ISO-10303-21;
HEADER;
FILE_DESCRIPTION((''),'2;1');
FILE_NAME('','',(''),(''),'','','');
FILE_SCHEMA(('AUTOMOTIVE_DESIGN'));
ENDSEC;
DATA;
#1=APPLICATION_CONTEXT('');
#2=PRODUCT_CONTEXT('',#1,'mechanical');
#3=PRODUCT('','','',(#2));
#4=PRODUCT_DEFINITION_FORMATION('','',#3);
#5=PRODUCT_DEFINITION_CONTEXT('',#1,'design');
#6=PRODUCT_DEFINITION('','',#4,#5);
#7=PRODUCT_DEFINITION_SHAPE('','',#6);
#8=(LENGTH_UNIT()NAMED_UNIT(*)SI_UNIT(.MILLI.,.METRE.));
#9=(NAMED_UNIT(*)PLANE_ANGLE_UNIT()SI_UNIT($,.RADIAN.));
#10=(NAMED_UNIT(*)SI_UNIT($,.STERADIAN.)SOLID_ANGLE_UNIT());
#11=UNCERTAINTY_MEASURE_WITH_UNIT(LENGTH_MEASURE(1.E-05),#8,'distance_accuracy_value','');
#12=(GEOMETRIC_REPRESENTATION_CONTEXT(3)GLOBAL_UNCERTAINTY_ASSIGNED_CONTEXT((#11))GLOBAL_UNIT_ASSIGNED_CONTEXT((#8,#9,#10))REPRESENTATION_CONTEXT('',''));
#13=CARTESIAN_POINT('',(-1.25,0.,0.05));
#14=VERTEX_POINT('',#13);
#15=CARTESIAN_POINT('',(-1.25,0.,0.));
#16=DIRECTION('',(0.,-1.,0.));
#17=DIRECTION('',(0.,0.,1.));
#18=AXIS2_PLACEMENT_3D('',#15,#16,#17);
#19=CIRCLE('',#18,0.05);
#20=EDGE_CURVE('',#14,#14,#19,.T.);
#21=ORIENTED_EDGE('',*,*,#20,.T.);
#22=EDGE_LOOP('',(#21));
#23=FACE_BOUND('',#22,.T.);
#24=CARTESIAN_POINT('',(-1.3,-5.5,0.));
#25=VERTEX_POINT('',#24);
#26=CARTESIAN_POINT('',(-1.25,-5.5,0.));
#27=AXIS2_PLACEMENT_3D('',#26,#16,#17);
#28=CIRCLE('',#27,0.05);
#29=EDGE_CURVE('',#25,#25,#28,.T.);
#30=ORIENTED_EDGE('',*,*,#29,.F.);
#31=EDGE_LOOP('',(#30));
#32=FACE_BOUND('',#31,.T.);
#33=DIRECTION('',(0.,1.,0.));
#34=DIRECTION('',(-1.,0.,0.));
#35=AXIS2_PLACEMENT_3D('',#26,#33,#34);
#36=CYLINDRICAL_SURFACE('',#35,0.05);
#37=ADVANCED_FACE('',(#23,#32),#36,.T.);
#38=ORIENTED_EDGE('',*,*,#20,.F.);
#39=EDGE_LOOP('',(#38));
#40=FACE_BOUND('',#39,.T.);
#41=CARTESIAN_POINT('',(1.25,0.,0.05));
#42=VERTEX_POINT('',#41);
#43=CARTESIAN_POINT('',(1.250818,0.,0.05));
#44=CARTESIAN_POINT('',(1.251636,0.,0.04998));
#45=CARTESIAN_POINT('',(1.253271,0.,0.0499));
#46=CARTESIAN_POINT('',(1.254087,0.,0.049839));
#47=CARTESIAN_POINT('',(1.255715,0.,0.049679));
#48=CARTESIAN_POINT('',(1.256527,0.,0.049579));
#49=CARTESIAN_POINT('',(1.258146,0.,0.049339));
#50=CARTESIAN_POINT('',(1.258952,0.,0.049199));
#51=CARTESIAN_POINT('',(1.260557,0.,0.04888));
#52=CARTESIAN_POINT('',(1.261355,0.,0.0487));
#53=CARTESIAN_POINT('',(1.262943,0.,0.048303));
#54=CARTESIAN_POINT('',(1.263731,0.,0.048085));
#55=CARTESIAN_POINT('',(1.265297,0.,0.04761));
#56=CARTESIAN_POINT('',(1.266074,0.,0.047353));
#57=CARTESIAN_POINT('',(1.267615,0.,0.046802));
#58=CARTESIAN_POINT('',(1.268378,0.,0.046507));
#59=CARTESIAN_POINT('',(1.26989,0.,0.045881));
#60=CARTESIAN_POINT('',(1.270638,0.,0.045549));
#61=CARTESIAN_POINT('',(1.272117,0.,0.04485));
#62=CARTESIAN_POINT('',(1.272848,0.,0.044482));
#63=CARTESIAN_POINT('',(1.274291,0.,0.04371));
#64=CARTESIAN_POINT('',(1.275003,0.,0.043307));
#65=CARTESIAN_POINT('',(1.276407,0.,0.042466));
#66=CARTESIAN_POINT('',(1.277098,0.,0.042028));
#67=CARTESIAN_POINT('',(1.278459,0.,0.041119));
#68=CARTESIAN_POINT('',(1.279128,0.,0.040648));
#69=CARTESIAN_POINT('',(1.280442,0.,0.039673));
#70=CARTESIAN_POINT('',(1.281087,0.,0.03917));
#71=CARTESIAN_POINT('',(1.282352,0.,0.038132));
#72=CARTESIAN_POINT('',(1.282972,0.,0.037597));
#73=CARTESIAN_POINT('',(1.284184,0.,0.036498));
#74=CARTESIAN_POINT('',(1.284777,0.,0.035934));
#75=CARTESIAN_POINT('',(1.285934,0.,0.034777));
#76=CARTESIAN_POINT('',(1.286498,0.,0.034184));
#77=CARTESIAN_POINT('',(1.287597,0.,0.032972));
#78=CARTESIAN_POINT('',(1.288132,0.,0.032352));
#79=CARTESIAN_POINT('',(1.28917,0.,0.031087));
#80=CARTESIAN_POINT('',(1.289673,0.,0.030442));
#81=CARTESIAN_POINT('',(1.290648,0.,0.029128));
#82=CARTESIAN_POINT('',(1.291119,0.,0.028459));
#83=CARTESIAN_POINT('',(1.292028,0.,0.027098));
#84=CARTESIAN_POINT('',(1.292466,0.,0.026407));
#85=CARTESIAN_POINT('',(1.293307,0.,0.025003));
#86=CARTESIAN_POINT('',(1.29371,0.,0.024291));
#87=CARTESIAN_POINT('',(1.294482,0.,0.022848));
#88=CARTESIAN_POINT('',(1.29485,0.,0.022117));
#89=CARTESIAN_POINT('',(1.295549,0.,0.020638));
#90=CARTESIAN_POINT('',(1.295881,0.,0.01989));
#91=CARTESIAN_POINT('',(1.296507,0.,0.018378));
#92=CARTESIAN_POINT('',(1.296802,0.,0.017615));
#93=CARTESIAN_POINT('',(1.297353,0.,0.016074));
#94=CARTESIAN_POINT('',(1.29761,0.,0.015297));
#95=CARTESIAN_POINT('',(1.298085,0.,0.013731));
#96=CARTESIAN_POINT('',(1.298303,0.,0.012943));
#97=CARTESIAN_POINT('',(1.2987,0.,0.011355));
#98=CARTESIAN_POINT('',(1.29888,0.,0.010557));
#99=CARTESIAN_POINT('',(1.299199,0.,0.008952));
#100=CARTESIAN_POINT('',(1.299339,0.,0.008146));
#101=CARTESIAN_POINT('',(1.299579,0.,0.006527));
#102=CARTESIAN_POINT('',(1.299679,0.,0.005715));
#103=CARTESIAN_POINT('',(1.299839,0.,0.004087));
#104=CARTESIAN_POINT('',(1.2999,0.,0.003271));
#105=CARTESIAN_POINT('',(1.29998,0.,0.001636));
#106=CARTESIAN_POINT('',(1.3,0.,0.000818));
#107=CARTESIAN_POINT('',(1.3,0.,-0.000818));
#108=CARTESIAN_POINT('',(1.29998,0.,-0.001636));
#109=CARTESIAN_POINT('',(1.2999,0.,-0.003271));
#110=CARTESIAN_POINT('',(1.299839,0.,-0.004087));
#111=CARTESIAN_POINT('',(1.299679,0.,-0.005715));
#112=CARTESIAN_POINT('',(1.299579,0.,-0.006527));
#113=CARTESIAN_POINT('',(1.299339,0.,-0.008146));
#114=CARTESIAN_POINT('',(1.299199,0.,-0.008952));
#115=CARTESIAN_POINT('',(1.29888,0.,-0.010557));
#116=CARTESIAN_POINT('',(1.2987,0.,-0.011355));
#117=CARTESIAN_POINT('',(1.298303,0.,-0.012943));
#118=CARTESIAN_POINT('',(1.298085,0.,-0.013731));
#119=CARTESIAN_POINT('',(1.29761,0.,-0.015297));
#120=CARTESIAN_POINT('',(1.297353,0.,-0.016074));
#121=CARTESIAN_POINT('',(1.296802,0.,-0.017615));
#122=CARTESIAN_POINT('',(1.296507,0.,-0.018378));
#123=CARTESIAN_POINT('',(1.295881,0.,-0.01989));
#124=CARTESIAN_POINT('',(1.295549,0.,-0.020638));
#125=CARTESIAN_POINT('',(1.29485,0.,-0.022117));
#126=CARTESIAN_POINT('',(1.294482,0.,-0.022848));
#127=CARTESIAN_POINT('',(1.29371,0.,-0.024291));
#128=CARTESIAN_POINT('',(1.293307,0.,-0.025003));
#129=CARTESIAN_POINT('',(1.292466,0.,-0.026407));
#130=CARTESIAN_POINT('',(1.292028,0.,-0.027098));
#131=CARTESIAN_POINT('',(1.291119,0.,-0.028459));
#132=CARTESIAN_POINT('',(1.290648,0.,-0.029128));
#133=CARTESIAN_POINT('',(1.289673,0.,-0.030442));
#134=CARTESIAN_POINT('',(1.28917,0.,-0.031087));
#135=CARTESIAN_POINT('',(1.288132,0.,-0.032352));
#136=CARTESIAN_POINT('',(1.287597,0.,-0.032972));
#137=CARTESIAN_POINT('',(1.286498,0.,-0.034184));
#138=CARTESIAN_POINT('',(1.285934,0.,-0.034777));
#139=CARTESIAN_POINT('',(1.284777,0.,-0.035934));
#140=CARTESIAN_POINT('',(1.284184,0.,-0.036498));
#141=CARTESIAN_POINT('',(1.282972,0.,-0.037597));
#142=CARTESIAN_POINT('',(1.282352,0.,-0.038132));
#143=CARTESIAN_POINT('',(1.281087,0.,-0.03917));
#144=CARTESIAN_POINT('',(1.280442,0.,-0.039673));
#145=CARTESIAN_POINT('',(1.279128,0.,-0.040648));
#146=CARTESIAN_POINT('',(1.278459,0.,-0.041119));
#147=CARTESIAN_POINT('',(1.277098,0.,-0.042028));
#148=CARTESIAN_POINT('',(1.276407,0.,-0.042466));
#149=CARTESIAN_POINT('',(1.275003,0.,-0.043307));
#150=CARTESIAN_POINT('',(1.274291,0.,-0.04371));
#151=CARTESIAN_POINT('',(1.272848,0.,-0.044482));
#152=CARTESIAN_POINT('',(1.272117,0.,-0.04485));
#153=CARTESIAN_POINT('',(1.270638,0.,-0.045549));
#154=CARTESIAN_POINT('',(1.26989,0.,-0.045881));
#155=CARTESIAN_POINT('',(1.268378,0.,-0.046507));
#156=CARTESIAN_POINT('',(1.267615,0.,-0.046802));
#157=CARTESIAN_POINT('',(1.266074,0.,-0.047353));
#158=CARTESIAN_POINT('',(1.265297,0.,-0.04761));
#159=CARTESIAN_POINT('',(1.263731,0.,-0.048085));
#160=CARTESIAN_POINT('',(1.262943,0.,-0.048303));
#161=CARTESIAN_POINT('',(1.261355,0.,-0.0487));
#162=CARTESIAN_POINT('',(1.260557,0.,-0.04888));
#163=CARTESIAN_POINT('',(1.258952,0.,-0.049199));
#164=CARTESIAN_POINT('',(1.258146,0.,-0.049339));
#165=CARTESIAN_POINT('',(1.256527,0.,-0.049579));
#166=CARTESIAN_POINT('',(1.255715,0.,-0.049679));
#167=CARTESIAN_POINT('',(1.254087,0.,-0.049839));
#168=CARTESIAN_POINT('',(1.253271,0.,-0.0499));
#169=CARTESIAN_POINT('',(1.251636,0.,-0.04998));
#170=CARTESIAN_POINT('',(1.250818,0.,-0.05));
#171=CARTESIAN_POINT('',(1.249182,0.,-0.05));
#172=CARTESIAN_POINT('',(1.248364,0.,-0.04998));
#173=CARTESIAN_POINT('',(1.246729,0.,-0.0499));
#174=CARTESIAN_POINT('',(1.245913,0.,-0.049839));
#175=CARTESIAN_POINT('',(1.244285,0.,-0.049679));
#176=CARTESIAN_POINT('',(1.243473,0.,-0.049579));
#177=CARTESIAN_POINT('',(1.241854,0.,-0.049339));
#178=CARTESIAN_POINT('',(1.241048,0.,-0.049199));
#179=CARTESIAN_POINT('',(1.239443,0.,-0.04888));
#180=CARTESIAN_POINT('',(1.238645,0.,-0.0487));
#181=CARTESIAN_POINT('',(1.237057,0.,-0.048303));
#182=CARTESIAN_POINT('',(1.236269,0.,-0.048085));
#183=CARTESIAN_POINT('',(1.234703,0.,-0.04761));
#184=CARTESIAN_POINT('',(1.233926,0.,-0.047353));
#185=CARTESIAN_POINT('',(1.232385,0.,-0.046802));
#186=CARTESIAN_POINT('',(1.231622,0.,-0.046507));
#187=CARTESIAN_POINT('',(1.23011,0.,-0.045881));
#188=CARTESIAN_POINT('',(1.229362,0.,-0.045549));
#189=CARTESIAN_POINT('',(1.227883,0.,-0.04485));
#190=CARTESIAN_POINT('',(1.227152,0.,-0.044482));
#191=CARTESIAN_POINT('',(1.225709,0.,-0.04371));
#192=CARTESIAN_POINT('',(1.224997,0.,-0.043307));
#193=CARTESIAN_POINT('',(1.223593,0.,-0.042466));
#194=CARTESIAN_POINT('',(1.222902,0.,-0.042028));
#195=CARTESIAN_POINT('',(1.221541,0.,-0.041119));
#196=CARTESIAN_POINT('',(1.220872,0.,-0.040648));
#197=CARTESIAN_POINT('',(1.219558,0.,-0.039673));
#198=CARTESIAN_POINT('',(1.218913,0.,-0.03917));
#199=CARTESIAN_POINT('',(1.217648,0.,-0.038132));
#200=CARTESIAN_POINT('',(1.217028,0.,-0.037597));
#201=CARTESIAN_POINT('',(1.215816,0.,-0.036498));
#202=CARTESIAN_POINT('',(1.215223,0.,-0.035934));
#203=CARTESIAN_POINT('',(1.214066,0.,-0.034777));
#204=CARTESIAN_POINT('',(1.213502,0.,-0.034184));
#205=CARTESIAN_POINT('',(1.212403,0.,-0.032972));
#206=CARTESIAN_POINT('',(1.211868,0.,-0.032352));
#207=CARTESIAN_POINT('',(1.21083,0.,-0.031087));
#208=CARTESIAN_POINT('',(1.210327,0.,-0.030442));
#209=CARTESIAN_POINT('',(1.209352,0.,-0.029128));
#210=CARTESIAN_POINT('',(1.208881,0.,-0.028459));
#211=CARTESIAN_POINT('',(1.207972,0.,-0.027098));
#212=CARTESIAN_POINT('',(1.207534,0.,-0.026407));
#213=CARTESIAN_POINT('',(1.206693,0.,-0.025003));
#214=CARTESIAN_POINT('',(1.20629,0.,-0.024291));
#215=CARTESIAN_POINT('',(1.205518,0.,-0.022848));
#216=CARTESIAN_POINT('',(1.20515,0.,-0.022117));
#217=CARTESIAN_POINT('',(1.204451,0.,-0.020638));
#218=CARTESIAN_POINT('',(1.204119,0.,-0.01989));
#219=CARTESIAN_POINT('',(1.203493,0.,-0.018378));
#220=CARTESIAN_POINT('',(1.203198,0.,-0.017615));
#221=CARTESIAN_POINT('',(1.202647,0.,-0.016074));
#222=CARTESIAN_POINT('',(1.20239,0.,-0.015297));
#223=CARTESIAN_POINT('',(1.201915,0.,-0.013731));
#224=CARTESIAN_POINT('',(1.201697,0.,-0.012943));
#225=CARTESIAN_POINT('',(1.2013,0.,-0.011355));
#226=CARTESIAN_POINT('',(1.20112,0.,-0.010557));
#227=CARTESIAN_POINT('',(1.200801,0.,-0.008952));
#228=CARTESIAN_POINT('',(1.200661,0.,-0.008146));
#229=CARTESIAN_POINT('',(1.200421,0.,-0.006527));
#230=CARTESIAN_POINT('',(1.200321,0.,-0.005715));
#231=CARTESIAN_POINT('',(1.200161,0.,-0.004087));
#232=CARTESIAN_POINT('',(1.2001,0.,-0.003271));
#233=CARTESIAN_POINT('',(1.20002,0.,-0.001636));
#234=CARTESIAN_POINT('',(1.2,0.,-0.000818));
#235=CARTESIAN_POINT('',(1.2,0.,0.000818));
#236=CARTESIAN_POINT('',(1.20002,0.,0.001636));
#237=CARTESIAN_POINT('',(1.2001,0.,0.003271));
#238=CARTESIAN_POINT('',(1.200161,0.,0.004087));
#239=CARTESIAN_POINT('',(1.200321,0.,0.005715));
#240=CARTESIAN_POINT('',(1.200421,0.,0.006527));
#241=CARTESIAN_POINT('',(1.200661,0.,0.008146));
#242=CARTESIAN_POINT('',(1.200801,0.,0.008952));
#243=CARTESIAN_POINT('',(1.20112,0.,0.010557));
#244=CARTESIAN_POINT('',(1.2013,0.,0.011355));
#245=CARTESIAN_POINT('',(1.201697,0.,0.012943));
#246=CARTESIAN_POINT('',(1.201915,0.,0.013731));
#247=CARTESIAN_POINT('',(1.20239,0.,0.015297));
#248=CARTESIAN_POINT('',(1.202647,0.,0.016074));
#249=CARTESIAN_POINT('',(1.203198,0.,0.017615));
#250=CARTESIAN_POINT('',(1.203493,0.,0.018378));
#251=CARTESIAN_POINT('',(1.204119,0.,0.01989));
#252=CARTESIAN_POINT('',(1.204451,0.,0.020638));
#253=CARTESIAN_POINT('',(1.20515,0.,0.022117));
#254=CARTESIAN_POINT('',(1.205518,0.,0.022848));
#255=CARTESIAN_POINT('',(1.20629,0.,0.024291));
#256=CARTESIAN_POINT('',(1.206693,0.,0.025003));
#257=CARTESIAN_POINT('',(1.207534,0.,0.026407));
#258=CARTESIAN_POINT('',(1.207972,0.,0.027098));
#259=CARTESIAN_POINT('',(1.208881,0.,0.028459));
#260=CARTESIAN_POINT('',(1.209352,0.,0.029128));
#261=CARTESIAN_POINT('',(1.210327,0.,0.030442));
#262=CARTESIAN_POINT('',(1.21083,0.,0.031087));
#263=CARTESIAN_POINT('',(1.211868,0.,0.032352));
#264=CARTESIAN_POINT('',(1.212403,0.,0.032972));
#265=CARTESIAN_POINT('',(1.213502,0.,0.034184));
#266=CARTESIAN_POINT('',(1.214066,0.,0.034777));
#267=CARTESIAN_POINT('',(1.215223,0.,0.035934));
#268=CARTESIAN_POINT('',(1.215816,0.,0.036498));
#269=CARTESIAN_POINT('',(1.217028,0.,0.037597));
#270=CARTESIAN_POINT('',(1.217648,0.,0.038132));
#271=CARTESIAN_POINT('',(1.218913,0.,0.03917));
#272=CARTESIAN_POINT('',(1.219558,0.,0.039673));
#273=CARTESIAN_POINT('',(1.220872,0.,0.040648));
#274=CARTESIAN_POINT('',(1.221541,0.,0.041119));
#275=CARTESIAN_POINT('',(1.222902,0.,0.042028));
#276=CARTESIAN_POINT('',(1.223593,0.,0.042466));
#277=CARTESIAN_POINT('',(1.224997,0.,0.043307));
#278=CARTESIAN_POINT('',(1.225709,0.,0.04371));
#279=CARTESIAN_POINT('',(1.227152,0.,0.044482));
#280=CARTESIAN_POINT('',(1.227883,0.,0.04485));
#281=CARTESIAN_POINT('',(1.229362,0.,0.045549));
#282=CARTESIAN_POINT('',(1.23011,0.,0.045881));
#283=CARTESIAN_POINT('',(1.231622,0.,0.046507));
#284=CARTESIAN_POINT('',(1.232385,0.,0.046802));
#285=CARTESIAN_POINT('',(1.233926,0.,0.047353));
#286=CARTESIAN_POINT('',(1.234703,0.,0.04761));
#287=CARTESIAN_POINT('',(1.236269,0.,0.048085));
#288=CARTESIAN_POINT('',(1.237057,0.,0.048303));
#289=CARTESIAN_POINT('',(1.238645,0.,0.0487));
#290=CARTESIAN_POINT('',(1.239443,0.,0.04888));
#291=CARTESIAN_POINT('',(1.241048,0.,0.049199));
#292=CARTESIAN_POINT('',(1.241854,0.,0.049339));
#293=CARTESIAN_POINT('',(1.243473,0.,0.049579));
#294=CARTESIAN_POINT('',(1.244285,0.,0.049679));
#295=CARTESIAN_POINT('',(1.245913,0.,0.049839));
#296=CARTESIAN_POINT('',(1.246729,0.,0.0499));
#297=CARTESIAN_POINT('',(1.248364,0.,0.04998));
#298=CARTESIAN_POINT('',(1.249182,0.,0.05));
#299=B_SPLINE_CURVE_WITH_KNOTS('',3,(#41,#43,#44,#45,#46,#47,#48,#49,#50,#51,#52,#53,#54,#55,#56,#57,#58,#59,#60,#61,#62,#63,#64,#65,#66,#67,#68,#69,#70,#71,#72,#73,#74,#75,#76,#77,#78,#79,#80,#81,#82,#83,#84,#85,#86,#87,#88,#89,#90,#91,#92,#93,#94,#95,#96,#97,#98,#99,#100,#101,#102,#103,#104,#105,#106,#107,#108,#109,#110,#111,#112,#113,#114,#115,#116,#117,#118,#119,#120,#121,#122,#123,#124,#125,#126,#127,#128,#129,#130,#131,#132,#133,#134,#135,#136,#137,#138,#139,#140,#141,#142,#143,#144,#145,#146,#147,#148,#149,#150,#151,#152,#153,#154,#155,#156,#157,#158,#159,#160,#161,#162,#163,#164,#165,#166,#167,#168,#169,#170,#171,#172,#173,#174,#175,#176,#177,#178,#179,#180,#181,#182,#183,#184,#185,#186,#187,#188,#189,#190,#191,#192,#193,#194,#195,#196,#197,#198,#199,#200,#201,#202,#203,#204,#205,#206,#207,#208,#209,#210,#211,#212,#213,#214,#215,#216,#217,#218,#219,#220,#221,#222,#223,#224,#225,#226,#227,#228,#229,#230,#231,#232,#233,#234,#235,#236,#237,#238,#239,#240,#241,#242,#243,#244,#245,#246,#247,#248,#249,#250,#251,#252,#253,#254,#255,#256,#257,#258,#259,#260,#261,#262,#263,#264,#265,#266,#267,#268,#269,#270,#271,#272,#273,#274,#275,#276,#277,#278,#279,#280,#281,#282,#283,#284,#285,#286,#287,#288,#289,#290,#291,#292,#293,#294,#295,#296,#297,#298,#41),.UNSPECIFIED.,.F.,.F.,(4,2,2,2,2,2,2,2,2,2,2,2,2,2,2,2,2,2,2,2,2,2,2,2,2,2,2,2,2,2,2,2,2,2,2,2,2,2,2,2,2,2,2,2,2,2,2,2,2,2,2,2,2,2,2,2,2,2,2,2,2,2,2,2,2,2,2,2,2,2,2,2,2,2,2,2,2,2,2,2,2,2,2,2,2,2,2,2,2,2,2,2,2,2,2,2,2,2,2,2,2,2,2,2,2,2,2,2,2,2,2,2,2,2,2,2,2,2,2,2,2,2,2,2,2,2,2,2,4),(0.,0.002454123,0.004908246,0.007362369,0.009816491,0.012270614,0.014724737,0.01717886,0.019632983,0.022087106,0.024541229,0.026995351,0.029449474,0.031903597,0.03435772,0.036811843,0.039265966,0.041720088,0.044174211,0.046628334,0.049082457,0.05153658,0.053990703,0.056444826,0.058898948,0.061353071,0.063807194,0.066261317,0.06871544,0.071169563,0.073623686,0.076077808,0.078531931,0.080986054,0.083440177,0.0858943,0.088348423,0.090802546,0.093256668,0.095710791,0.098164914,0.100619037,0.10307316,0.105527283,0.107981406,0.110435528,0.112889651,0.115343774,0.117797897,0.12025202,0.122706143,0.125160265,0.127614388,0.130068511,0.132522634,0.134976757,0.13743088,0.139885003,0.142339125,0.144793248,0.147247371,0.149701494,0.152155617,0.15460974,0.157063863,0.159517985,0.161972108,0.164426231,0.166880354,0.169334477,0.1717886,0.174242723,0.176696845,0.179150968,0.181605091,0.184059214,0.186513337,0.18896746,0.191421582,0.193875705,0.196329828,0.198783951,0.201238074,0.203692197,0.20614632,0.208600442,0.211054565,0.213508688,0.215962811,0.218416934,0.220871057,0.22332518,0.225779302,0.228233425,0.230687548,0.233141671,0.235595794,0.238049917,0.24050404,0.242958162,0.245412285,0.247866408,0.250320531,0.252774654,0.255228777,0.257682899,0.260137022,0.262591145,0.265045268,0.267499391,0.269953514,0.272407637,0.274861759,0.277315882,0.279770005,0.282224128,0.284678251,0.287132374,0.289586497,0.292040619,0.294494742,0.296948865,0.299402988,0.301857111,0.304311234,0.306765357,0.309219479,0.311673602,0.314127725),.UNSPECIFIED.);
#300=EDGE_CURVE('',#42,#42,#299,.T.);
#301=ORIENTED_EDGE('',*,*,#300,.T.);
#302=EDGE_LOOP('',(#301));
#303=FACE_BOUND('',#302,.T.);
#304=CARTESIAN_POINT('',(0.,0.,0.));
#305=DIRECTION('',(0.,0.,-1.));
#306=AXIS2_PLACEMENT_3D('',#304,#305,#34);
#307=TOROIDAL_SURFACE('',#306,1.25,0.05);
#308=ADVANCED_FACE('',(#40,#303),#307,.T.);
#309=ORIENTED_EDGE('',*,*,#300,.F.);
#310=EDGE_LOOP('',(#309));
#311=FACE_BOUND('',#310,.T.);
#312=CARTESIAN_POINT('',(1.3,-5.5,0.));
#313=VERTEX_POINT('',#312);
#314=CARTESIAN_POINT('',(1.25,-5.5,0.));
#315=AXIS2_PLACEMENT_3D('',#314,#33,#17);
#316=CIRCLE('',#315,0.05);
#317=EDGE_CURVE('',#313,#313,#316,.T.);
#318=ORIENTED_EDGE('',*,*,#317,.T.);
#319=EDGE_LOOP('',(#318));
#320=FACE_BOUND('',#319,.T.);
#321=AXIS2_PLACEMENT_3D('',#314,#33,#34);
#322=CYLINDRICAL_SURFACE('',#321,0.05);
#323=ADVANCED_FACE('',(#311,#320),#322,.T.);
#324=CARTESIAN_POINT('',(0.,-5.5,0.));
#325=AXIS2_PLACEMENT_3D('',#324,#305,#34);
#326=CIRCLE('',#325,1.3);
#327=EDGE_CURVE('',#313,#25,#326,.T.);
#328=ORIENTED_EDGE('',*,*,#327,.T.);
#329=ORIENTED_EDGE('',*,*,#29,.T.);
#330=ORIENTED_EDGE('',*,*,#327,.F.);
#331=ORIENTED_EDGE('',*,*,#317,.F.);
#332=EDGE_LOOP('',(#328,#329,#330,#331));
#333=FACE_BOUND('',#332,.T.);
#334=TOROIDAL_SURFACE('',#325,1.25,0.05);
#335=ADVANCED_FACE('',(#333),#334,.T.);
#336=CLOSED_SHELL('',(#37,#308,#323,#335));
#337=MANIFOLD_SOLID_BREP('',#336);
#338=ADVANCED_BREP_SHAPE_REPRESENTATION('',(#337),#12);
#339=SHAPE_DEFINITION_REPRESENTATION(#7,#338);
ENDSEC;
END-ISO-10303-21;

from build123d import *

# Parameters (mm, degrees)
SKETCH3_R = 0.05


with BuildPart() as part:
    # Sweep5: sweep along a path in Sketch1
    with BuildLine(Plane.XY) as sweep5_path:
        Line((1.25, 0), (1.25, -5.5))
        ThreePointArc((1.25, -5.5), (0, -6.75), (-1.25, -5.5))
        Line((-1.25, -5.5), (-1.25, 0))
        ThreePointArc((-1.25, 0), (0, 1.25), (1.25, 0))
    # Sketch3 → Sweep5 (sweep)
    with BuildSketch(Plane(origin=(0, 0, 0), x_dir=(1, 0, 0), z_dir=(0, 1, 0))):
        with Locations((1.25, 0)):
            Circle(SKETCH3_R)
    sweep(path=sweep5_path.line)


solid = part.part
